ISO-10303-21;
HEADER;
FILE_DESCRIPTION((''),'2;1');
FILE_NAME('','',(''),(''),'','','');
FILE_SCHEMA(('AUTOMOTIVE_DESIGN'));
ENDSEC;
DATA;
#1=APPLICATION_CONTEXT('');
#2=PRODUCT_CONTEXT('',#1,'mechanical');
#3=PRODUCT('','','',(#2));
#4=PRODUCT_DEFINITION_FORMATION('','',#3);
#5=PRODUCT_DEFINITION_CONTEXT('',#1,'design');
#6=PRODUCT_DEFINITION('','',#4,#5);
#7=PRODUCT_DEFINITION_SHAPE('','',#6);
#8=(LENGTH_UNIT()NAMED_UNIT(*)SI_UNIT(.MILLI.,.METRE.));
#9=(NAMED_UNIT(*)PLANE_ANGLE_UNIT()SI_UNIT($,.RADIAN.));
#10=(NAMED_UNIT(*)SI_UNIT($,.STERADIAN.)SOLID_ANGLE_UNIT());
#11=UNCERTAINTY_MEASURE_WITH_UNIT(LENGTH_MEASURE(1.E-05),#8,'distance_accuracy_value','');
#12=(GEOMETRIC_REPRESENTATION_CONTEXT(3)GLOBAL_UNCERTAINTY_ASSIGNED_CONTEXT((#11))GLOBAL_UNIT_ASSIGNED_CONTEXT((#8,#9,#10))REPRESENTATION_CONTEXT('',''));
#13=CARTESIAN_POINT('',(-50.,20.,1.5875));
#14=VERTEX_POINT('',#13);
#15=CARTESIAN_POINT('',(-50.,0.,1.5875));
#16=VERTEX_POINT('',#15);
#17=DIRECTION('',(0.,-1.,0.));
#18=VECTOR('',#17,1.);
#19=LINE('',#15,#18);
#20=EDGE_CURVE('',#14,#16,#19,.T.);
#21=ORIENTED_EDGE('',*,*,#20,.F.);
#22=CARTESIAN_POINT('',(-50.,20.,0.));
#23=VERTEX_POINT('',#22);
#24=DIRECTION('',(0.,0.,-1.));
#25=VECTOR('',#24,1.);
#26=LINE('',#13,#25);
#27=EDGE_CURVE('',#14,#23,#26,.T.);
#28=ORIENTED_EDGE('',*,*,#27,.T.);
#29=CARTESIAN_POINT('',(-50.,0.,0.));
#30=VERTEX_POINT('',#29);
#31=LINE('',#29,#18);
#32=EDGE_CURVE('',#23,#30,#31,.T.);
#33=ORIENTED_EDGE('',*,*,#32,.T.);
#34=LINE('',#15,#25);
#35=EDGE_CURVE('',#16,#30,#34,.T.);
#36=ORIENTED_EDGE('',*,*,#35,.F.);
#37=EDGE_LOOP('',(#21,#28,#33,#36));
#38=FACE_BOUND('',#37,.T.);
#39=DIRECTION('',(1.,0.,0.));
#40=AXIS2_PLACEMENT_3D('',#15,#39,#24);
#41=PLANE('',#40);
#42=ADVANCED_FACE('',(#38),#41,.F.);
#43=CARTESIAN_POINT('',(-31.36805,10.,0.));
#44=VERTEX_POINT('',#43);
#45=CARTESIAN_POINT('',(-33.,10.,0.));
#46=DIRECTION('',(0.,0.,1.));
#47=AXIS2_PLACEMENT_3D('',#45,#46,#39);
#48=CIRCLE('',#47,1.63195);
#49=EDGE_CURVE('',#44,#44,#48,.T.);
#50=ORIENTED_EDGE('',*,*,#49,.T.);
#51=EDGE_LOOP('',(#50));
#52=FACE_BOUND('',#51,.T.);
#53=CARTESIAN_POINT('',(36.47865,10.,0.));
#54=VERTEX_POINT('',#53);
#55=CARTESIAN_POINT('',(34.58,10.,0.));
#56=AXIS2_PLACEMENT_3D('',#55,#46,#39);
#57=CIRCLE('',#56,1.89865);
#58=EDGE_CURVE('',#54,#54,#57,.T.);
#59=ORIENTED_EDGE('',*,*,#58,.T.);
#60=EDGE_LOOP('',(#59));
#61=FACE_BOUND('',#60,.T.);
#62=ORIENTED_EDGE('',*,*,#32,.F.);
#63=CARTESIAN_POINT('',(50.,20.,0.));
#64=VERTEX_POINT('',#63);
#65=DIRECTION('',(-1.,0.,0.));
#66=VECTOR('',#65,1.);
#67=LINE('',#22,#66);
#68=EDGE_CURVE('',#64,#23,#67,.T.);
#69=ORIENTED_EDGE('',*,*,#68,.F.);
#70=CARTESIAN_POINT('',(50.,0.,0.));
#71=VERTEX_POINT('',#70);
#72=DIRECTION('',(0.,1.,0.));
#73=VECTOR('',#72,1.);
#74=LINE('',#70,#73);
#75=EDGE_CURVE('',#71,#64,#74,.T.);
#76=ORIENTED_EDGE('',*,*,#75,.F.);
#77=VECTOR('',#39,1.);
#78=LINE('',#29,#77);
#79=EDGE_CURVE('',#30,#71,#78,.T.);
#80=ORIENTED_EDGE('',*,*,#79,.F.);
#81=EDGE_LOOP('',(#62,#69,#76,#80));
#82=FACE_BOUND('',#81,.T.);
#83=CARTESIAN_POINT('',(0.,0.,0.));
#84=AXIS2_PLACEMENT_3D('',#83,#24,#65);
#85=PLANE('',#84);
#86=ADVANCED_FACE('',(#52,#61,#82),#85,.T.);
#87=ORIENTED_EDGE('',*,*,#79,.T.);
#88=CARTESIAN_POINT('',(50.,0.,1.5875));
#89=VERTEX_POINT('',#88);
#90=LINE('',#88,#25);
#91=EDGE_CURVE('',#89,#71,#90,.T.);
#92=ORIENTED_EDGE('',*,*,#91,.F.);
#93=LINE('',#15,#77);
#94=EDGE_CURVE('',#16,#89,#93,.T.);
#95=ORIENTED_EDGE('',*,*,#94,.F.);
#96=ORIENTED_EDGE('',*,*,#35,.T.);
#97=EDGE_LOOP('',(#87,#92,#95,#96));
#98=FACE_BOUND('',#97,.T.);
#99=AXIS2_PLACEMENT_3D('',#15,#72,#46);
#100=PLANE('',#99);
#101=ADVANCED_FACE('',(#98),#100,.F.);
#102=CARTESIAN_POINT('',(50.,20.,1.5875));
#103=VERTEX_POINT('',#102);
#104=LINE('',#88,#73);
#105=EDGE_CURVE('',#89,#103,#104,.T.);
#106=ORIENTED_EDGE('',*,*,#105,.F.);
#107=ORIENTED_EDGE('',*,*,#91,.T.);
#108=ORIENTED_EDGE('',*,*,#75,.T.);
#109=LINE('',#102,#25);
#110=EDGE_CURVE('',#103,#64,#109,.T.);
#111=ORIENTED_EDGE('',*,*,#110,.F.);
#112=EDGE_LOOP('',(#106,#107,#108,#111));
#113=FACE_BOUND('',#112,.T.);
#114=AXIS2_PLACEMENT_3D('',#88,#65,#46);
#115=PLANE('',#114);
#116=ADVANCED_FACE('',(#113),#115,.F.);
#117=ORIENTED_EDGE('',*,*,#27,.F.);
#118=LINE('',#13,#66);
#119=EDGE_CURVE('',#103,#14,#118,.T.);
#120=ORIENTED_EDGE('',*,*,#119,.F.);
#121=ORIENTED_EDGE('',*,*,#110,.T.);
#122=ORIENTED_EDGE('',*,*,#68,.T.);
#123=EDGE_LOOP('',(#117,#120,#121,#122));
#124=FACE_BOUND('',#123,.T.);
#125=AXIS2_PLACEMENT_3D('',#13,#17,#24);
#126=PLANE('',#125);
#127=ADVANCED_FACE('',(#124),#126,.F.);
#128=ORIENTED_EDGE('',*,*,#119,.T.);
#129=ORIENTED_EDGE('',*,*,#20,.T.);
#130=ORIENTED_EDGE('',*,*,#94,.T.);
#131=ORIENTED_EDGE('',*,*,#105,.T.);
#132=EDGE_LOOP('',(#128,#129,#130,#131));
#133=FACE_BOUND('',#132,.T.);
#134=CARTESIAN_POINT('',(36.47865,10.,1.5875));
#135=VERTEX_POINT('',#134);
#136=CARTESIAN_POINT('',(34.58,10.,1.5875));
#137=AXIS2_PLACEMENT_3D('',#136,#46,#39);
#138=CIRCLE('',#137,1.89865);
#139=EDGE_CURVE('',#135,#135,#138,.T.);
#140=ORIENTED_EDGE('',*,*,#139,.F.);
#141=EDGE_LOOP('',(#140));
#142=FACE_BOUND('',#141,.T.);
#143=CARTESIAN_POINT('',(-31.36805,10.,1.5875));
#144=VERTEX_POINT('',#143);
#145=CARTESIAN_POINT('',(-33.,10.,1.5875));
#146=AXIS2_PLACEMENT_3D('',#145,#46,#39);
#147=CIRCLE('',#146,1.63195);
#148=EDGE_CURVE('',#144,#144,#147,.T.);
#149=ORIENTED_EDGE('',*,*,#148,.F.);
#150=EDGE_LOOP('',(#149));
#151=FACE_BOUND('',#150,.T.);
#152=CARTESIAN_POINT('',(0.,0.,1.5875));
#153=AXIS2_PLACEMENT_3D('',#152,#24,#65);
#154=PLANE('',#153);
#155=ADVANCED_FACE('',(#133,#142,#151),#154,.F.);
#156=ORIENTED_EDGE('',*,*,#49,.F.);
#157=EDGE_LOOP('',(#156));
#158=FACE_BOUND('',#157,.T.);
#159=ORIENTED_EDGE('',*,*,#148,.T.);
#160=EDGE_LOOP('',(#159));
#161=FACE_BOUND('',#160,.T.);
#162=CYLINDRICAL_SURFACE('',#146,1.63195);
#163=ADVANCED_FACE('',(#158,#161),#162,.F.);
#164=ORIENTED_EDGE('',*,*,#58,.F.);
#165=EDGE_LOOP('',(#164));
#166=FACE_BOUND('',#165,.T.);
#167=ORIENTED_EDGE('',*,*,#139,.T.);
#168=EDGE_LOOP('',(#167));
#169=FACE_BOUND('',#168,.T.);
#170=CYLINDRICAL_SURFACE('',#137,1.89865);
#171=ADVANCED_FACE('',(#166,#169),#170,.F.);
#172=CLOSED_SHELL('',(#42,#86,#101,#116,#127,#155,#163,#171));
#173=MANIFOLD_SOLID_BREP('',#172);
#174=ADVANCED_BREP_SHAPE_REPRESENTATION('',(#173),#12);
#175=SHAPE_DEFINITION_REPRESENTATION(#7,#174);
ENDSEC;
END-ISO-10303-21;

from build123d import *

# Parameters (mm, degrees)
SKETCH1_W             = 100
SKETCH1_H             = 20
BOSS_EXTRUDE1_DEPTH   = 1.5875
F_4_CLEARANCE_HOLE1_D = 3.2639
F_6_CLEARANCE_HOLE1_D = 3.7973


with BuildPart() as part:
    # Sketch1 → Boss-Extrude1 (new body)
    with BuildSketch(Plane.XY):
        with Locations((0, 10)):
            Rectangle(SKETCH1_W, SKETCH1_H)
    extrude(amount=BOSS_EXTRUDE1_DEPTH)

    # #4 Clearance Hole1 (through all)
    with Locations(Plane.XY.offset(1.5875)):
        with Locations((-33, 10)):
            Hole(F_4_CLEARANCE_HOLE1_D / 2)

    # #6 Clearance Hole1 (through all)
    with Locations(Plane.XY.offset(1.5875)):
        with Locations((34.58, 10)):
            Hole(F_6_CLEARANCE_HOLE1_D / 2)


solid = part.part
